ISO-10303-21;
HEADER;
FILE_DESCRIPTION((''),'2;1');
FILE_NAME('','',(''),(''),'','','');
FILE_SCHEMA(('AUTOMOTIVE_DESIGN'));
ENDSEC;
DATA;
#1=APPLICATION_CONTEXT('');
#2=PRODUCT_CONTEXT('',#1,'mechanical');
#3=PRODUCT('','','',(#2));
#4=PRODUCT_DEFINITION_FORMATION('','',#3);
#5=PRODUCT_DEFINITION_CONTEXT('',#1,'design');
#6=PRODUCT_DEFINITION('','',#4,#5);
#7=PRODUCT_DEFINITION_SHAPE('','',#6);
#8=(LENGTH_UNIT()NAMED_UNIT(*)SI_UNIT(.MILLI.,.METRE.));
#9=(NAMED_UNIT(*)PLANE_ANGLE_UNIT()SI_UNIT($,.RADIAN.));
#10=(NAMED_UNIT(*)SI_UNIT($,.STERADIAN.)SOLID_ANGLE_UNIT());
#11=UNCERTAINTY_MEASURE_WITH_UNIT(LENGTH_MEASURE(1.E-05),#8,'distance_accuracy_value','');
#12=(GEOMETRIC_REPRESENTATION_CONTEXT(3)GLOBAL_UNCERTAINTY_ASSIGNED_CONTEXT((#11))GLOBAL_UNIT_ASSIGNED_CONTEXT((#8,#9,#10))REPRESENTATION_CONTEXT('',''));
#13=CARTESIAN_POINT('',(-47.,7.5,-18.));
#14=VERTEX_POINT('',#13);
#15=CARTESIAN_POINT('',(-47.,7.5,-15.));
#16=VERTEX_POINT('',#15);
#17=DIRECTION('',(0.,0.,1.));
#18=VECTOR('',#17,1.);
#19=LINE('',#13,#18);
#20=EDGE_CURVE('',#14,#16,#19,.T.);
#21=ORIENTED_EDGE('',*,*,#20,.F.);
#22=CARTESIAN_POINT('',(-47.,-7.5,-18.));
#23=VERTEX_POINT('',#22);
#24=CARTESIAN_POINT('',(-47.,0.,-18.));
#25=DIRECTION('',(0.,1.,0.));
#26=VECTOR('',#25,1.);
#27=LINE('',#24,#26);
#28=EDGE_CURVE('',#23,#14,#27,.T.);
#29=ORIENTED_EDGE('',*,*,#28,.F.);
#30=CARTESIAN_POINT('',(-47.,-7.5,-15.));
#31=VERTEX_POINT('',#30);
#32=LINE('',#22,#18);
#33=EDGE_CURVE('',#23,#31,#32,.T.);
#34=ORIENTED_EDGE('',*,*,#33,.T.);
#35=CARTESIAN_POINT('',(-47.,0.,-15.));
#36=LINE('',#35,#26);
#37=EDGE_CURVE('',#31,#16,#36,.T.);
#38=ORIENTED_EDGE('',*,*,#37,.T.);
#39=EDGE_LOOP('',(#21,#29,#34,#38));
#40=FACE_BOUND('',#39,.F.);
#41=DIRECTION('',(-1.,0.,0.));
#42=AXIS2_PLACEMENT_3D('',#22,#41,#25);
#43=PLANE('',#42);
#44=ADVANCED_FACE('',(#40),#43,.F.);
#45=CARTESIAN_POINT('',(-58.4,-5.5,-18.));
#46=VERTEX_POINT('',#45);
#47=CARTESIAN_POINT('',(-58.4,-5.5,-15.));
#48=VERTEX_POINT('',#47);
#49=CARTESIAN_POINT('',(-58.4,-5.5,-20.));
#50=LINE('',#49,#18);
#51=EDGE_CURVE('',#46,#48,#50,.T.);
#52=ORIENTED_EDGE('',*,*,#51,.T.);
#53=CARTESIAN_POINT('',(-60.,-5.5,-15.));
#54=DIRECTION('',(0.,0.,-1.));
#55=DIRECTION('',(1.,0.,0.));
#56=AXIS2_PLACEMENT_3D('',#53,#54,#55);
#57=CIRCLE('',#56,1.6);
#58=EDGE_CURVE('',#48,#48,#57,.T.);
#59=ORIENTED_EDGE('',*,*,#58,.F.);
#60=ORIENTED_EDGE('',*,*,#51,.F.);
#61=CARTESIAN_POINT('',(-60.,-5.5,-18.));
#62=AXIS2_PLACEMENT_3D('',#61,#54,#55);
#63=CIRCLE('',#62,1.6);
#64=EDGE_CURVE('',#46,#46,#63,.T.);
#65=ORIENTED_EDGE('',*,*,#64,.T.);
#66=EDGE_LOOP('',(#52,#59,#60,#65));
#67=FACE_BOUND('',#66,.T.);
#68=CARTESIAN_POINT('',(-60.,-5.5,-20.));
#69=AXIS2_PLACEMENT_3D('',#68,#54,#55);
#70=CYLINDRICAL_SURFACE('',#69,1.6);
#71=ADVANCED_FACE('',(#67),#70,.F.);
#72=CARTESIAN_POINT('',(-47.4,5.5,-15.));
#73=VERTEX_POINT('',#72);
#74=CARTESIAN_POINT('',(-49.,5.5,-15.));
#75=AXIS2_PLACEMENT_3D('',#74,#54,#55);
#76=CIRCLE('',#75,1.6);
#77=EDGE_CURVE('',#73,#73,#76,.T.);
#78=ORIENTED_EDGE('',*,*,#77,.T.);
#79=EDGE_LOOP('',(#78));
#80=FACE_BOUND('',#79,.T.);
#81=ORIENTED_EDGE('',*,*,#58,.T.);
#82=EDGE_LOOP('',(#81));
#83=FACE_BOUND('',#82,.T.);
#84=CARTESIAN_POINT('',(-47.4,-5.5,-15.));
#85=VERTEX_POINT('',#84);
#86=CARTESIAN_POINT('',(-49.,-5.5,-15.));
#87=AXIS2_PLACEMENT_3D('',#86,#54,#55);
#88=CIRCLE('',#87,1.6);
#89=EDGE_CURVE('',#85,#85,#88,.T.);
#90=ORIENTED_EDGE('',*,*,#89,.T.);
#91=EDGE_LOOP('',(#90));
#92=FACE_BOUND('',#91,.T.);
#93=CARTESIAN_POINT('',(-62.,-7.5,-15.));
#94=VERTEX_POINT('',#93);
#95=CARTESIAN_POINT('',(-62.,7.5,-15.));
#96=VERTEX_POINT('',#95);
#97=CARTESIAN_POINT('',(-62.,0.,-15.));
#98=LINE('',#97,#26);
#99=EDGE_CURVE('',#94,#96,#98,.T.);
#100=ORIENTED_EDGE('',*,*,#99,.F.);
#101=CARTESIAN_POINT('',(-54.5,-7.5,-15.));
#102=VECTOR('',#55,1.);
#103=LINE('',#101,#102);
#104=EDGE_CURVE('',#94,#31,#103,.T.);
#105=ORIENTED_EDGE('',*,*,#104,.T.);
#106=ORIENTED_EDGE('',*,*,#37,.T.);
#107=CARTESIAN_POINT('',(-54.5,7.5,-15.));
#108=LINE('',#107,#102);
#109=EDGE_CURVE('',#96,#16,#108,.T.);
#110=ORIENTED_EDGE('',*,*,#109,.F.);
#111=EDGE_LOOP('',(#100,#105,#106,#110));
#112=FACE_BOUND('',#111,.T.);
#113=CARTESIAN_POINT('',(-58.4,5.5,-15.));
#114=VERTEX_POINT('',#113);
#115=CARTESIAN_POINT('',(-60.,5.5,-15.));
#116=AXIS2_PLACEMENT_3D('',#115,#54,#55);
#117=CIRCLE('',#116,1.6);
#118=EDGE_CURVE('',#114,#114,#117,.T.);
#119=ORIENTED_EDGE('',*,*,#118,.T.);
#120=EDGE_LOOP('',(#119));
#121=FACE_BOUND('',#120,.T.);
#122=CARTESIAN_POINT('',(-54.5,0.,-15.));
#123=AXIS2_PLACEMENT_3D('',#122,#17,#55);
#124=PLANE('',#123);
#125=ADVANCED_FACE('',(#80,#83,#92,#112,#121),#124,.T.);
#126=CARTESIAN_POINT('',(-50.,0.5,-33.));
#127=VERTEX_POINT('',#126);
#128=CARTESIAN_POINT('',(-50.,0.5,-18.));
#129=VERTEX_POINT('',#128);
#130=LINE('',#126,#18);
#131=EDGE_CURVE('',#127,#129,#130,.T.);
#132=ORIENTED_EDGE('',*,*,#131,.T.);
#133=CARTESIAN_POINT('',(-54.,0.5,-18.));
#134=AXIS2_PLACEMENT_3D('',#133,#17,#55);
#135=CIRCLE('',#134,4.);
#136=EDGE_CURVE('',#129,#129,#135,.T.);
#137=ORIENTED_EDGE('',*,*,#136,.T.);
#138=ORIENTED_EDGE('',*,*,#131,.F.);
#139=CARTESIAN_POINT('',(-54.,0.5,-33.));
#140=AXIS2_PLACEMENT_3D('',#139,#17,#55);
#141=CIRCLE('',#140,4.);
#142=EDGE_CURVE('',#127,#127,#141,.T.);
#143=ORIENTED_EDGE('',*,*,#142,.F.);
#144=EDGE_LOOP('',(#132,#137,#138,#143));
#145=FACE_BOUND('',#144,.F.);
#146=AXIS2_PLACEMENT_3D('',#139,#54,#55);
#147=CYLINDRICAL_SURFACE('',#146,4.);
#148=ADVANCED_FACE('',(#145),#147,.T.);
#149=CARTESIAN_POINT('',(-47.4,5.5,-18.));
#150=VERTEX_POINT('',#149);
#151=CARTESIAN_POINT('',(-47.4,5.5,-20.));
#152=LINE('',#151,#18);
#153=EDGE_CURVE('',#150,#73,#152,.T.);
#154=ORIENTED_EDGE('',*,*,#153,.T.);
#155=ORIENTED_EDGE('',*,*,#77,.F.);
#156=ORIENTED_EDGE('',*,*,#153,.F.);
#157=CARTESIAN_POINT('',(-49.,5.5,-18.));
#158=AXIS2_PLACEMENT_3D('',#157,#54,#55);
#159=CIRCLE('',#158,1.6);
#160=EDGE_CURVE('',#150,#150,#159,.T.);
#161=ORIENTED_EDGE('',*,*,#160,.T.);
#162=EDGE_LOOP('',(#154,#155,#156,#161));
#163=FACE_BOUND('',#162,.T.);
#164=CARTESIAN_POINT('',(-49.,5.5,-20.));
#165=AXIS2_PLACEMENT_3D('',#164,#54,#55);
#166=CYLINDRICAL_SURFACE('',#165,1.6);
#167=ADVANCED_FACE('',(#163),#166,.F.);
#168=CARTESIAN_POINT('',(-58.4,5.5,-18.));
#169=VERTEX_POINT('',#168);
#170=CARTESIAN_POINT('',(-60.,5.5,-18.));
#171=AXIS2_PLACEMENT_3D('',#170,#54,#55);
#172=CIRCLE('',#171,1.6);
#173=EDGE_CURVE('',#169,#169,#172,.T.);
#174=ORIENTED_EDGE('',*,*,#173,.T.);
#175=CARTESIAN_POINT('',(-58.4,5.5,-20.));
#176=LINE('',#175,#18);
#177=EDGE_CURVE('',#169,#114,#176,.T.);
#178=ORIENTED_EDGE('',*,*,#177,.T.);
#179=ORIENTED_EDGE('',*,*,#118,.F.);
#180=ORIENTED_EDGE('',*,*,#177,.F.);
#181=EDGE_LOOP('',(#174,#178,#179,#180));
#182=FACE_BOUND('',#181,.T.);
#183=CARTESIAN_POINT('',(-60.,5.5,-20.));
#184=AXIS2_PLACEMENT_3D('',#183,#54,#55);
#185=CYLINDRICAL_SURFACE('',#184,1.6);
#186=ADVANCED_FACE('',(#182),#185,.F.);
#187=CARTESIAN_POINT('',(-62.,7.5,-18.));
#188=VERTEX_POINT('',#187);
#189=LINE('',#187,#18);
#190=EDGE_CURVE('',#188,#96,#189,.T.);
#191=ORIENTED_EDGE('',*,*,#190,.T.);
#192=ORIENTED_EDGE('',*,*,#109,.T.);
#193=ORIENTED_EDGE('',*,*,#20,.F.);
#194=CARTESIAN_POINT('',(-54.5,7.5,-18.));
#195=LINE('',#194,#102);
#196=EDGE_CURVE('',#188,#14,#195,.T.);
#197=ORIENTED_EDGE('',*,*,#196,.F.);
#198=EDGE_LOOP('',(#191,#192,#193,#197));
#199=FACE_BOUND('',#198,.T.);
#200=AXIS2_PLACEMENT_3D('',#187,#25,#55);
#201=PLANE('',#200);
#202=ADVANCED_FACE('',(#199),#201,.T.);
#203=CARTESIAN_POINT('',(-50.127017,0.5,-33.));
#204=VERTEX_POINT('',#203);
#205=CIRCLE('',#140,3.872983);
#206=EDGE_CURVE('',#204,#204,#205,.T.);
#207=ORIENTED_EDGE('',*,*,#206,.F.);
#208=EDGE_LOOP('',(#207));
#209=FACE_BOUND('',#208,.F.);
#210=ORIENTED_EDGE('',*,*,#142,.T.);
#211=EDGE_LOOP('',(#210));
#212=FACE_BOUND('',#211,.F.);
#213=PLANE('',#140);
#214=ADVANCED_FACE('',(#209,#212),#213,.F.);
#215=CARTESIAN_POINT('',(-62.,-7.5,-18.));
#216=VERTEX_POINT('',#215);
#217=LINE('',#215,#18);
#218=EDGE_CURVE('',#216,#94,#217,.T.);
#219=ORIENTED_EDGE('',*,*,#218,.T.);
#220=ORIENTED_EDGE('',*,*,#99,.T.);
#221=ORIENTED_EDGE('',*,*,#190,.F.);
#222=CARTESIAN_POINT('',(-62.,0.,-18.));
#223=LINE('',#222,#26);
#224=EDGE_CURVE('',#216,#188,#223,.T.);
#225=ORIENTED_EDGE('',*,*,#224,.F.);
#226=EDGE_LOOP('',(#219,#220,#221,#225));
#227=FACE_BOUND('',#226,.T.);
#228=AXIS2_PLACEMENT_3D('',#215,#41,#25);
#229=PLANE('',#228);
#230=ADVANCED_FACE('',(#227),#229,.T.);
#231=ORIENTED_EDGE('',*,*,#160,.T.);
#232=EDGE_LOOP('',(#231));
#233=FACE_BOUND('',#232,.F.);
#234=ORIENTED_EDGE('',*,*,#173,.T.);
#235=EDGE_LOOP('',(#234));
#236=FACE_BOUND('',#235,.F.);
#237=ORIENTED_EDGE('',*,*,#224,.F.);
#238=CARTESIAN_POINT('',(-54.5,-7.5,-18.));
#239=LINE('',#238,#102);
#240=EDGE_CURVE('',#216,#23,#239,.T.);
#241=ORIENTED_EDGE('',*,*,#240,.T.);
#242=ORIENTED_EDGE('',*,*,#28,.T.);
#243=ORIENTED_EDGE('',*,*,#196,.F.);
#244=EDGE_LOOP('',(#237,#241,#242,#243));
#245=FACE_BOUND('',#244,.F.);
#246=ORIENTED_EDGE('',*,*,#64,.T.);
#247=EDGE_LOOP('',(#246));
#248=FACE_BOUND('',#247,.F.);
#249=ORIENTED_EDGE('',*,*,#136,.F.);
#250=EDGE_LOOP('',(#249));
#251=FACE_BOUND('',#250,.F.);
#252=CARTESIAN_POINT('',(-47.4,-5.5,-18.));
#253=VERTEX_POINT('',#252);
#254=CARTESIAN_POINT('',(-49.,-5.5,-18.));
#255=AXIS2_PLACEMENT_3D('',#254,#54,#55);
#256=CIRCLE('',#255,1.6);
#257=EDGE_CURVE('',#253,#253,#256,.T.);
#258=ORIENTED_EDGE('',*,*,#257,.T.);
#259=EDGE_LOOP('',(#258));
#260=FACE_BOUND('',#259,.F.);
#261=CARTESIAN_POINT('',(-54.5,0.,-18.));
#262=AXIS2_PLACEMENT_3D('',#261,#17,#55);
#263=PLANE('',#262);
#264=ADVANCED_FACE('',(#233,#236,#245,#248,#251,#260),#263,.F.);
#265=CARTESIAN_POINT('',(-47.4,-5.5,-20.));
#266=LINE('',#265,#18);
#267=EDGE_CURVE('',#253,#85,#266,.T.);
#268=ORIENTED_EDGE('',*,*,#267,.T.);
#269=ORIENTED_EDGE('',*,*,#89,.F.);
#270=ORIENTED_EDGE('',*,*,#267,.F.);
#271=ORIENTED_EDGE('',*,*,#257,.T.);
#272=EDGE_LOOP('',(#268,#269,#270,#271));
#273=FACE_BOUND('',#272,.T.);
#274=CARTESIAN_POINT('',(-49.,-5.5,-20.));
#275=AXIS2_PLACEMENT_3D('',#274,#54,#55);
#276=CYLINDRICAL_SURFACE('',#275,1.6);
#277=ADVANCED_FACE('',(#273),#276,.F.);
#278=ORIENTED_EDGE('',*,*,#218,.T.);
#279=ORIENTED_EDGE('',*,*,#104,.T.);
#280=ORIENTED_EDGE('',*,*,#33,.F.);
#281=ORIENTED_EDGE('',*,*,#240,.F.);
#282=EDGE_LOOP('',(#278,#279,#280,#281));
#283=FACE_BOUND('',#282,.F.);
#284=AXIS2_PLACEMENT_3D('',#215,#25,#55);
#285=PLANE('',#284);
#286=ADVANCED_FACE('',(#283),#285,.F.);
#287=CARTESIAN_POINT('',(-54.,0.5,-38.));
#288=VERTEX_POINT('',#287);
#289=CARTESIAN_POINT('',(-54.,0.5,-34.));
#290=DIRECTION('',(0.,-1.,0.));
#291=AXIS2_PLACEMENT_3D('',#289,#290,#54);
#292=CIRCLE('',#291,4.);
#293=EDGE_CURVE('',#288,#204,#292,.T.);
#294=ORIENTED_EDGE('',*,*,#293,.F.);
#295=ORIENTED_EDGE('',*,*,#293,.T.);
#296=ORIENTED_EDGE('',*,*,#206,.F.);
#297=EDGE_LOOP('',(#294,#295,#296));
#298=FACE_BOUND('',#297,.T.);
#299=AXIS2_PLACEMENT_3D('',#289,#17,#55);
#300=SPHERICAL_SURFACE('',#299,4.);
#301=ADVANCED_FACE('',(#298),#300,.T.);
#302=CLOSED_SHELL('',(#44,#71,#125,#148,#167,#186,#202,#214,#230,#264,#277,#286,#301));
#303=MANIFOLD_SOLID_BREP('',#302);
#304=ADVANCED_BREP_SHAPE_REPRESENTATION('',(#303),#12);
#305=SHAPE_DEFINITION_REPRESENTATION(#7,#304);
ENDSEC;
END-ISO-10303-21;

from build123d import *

# Parameters (mm, degrees)
CYLINDER115_R     = 1.6
CYLINDER115_DEPTH = 10
CYLINDER116_R     = 1.6
CYLINDER116_DEPTH = 10
CYLINDER117_R     = 1.6
CYLINDER117_DEPTH = 10
CYLINDER114_R     = 1.6
CYLINDER114_DEPTH = 10
BOX029_W          = 15
BOX029_H          = 15
BOX029_DEPTH      = 3
CYLINDER113_R     = 4
CYLINDER113_DEPTH = 15


with BuildPart() as cilindro115:
    # Cylinder115 → Cylinder115 (new body)
    with BuildSketch(Plane(origin=(32, 5, -20), x_dir=(1, 0, 0), z_dir=(0, 0, 1))):
        Circle(CYLINDER115_R)
    extrude(amount=CYLINDER115_DEPTH)


with BuildPart() as cilindro116:
    # Cylinder116 → Cylinder116 (new body)
    with BuildSketch(Plane(origin=(21, -6, -20), x_dir=(1, 0, 0), z_dir=(0, 0, 1))):
        Circle(CYLINDER116_R)
    extrude(amount=CYLINDER116_DEPTH)


with BuildPart() as cilindro117:
    # Cylinder117 → Cylinder117 (new body)
    with BuildSketch(Plane(origin=(21, 5, -20), x_dir=(1, 0, 0), z_dir=(0, 0, 1))):
        Circle(CYLINDER117_R)
    extrude(amount=CYLINDER117_DEPTH)


with BuildPart() as fusion058:
    # Cylinder114 → Cylinder114 (new body)
    with BuildSketch(Plane(origin=(32, -6, -20), x_dir=(1, 0, 0), z_dir=(0, 0, 1))):
        Circle(CYLINDER114_R)
    extrude(amount=CYLINDER114_DEPTH)

    # Fusion058: union Cilindro115, Cilindro116, Cilindro117
    add(cilindro115.part)
    add(cilindro116.part)
    add(cilindro117.part)


with BuildPart() as cubo028:
    # Box029 → Box029 (new body)
    with BuildSketch(Plane(origin=(-8, -8, 4), x_dir=(1, 0, 0), z_dir=(0, 0, 1))):
        with Locations((7.5, 7.5)):
            Rectangle(BOX029_W, BOX029_H)
    extrude(amount=BOX029_DEPTH)


with BuildPart() as esfera001:
    # Sphere001 → Sphere001 (revolve)
    with BuildSketch(Plane(origin=(0, 0, -16), x_dir=(1, 0, 0), z_dir=(0, -1, 0))):
        with BuildLine():
            ThreePointArc((0, -4), (4, 0), (0, 4))
            Line((0, 4), (0, -4))
        make_face()
    revolve(axis=Axis((0, 0, -16), (0, 0, 1)))


with BuildPart() as ballcastera001:
    # Cylinder113 → Cylinder113 (new body)
    with BuildSketch(Plane.XY.offset(-15)):
        Circle(CYLINDER113_R)
    extrude(amount=CYLINDER113_DEPTH)

    # Fusion059: union Esfera001
    add(esfera001.part)


with BuildPart() as ballcastera001_1:
    # Fusion059 placement: moved
    add(ballcastera001.part.moved(Location((0, 0, 4))))

    # Fusion060: union Cubo028
    add(cubo028.part)


with BuildPart() as ballcastera001_2:
    # Fusion060 placement: moved
    add(ballcastera001_1.part.moved(Location((27, 0, -22))))

    # Cut019: cut Fusion058
    add(fusion058.part, mode=Mode.SUBTRACT)


with BuildPart() as ballcastera001_3:
    # Cut019 placement: moved
    add(ballcastera001_2.part.moved(Location((-81, 0.5, 0))))


solid = ballcastera001_3.part
